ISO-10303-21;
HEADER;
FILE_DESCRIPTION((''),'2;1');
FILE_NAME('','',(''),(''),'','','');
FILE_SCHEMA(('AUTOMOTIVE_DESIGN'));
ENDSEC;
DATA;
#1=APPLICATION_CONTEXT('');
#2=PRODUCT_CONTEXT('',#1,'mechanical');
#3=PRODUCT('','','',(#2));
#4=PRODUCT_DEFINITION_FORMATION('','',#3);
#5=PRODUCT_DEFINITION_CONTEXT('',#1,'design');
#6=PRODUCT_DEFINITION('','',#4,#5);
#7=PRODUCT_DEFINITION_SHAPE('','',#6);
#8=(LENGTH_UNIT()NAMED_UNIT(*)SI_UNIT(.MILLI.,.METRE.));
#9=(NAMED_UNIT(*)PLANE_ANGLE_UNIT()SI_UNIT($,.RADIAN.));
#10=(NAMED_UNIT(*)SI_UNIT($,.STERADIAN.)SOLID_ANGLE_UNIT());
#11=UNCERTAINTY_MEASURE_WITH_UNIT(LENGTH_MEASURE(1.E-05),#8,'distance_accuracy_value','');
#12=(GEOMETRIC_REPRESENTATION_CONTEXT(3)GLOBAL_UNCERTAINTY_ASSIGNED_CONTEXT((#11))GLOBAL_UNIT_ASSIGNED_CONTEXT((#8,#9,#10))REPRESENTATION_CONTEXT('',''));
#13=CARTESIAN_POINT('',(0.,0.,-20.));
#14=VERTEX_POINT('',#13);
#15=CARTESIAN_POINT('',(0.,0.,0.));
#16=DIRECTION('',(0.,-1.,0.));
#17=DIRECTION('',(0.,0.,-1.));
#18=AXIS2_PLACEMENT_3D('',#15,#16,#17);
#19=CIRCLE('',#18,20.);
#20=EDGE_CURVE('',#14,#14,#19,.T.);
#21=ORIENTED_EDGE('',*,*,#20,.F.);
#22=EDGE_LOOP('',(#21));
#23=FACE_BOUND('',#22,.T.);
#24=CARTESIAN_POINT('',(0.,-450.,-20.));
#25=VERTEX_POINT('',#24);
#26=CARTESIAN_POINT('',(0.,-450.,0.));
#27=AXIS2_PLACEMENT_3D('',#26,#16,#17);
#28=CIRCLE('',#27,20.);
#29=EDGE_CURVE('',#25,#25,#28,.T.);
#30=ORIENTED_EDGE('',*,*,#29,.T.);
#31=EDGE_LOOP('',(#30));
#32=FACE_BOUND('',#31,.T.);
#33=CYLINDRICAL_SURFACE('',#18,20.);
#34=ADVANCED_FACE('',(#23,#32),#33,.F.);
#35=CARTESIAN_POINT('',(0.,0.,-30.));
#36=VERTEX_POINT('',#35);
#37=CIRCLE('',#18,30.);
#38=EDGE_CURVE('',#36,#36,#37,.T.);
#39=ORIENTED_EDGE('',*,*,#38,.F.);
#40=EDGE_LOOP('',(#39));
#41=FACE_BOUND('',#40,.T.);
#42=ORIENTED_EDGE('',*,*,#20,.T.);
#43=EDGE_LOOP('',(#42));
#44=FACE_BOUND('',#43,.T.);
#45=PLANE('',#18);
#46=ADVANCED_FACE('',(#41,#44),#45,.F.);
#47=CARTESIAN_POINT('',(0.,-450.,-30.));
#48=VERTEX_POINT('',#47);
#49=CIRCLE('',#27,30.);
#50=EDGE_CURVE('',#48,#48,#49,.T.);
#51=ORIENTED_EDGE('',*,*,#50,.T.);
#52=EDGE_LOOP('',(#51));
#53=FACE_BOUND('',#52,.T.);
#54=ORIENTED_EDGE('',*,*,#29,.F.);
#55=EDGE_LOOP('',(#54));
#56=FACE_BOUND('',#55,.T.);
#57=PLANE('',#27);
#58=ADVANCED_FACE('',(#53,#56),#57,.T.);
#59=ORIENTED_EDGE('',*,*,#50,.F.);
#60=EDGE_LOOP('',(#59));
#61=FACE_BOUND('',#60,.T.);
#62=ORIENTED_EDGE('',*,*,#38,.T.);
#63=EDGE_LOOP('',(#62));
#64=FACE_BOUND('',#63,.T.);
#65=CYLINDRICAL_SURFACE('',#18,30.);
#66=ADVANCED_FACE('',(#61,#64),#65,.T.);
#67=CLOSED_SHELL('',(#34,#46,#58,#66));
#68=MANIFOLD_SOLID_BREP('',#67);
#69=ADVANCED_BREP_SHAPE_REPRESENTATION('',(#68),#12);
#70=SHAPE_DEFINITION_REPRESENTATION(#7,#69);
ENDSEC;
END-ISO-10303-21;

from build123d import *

# Parameters (mm, degrees)
SWEEP_THIN2_PROFILE_R   = 30
SWEEP_THIN2_PROFILE_R_2 = 20


with BuildPart() as part:
    # Sweep-Thin2: sweep along a path in Sketch1
    with BuildLine(Plane(origin=(0, 0, 0), x_dir=(0, 0, -1), z_dir=(1, 0, 0))) as sweep_thin2_path:
        Line((0, 0), (0, -450))
    # Sweep-Thin2 profile (on start of the path) → Sweep-Thin2 (sweep)
    with BuildSketch(Plane(origin=(0, 0, 0), x_dir=(0, 0, -1), z_dir=(0, -1, 0))):
        Circle(SWEEP_THIN2_PROFILE_R)
        Circle(SWEEP_THIN2_PROFILE_R_2, mode=Mode.SUBTRACT)
    sweep(path=sweep_thin2_path.line)


solid = part.part
